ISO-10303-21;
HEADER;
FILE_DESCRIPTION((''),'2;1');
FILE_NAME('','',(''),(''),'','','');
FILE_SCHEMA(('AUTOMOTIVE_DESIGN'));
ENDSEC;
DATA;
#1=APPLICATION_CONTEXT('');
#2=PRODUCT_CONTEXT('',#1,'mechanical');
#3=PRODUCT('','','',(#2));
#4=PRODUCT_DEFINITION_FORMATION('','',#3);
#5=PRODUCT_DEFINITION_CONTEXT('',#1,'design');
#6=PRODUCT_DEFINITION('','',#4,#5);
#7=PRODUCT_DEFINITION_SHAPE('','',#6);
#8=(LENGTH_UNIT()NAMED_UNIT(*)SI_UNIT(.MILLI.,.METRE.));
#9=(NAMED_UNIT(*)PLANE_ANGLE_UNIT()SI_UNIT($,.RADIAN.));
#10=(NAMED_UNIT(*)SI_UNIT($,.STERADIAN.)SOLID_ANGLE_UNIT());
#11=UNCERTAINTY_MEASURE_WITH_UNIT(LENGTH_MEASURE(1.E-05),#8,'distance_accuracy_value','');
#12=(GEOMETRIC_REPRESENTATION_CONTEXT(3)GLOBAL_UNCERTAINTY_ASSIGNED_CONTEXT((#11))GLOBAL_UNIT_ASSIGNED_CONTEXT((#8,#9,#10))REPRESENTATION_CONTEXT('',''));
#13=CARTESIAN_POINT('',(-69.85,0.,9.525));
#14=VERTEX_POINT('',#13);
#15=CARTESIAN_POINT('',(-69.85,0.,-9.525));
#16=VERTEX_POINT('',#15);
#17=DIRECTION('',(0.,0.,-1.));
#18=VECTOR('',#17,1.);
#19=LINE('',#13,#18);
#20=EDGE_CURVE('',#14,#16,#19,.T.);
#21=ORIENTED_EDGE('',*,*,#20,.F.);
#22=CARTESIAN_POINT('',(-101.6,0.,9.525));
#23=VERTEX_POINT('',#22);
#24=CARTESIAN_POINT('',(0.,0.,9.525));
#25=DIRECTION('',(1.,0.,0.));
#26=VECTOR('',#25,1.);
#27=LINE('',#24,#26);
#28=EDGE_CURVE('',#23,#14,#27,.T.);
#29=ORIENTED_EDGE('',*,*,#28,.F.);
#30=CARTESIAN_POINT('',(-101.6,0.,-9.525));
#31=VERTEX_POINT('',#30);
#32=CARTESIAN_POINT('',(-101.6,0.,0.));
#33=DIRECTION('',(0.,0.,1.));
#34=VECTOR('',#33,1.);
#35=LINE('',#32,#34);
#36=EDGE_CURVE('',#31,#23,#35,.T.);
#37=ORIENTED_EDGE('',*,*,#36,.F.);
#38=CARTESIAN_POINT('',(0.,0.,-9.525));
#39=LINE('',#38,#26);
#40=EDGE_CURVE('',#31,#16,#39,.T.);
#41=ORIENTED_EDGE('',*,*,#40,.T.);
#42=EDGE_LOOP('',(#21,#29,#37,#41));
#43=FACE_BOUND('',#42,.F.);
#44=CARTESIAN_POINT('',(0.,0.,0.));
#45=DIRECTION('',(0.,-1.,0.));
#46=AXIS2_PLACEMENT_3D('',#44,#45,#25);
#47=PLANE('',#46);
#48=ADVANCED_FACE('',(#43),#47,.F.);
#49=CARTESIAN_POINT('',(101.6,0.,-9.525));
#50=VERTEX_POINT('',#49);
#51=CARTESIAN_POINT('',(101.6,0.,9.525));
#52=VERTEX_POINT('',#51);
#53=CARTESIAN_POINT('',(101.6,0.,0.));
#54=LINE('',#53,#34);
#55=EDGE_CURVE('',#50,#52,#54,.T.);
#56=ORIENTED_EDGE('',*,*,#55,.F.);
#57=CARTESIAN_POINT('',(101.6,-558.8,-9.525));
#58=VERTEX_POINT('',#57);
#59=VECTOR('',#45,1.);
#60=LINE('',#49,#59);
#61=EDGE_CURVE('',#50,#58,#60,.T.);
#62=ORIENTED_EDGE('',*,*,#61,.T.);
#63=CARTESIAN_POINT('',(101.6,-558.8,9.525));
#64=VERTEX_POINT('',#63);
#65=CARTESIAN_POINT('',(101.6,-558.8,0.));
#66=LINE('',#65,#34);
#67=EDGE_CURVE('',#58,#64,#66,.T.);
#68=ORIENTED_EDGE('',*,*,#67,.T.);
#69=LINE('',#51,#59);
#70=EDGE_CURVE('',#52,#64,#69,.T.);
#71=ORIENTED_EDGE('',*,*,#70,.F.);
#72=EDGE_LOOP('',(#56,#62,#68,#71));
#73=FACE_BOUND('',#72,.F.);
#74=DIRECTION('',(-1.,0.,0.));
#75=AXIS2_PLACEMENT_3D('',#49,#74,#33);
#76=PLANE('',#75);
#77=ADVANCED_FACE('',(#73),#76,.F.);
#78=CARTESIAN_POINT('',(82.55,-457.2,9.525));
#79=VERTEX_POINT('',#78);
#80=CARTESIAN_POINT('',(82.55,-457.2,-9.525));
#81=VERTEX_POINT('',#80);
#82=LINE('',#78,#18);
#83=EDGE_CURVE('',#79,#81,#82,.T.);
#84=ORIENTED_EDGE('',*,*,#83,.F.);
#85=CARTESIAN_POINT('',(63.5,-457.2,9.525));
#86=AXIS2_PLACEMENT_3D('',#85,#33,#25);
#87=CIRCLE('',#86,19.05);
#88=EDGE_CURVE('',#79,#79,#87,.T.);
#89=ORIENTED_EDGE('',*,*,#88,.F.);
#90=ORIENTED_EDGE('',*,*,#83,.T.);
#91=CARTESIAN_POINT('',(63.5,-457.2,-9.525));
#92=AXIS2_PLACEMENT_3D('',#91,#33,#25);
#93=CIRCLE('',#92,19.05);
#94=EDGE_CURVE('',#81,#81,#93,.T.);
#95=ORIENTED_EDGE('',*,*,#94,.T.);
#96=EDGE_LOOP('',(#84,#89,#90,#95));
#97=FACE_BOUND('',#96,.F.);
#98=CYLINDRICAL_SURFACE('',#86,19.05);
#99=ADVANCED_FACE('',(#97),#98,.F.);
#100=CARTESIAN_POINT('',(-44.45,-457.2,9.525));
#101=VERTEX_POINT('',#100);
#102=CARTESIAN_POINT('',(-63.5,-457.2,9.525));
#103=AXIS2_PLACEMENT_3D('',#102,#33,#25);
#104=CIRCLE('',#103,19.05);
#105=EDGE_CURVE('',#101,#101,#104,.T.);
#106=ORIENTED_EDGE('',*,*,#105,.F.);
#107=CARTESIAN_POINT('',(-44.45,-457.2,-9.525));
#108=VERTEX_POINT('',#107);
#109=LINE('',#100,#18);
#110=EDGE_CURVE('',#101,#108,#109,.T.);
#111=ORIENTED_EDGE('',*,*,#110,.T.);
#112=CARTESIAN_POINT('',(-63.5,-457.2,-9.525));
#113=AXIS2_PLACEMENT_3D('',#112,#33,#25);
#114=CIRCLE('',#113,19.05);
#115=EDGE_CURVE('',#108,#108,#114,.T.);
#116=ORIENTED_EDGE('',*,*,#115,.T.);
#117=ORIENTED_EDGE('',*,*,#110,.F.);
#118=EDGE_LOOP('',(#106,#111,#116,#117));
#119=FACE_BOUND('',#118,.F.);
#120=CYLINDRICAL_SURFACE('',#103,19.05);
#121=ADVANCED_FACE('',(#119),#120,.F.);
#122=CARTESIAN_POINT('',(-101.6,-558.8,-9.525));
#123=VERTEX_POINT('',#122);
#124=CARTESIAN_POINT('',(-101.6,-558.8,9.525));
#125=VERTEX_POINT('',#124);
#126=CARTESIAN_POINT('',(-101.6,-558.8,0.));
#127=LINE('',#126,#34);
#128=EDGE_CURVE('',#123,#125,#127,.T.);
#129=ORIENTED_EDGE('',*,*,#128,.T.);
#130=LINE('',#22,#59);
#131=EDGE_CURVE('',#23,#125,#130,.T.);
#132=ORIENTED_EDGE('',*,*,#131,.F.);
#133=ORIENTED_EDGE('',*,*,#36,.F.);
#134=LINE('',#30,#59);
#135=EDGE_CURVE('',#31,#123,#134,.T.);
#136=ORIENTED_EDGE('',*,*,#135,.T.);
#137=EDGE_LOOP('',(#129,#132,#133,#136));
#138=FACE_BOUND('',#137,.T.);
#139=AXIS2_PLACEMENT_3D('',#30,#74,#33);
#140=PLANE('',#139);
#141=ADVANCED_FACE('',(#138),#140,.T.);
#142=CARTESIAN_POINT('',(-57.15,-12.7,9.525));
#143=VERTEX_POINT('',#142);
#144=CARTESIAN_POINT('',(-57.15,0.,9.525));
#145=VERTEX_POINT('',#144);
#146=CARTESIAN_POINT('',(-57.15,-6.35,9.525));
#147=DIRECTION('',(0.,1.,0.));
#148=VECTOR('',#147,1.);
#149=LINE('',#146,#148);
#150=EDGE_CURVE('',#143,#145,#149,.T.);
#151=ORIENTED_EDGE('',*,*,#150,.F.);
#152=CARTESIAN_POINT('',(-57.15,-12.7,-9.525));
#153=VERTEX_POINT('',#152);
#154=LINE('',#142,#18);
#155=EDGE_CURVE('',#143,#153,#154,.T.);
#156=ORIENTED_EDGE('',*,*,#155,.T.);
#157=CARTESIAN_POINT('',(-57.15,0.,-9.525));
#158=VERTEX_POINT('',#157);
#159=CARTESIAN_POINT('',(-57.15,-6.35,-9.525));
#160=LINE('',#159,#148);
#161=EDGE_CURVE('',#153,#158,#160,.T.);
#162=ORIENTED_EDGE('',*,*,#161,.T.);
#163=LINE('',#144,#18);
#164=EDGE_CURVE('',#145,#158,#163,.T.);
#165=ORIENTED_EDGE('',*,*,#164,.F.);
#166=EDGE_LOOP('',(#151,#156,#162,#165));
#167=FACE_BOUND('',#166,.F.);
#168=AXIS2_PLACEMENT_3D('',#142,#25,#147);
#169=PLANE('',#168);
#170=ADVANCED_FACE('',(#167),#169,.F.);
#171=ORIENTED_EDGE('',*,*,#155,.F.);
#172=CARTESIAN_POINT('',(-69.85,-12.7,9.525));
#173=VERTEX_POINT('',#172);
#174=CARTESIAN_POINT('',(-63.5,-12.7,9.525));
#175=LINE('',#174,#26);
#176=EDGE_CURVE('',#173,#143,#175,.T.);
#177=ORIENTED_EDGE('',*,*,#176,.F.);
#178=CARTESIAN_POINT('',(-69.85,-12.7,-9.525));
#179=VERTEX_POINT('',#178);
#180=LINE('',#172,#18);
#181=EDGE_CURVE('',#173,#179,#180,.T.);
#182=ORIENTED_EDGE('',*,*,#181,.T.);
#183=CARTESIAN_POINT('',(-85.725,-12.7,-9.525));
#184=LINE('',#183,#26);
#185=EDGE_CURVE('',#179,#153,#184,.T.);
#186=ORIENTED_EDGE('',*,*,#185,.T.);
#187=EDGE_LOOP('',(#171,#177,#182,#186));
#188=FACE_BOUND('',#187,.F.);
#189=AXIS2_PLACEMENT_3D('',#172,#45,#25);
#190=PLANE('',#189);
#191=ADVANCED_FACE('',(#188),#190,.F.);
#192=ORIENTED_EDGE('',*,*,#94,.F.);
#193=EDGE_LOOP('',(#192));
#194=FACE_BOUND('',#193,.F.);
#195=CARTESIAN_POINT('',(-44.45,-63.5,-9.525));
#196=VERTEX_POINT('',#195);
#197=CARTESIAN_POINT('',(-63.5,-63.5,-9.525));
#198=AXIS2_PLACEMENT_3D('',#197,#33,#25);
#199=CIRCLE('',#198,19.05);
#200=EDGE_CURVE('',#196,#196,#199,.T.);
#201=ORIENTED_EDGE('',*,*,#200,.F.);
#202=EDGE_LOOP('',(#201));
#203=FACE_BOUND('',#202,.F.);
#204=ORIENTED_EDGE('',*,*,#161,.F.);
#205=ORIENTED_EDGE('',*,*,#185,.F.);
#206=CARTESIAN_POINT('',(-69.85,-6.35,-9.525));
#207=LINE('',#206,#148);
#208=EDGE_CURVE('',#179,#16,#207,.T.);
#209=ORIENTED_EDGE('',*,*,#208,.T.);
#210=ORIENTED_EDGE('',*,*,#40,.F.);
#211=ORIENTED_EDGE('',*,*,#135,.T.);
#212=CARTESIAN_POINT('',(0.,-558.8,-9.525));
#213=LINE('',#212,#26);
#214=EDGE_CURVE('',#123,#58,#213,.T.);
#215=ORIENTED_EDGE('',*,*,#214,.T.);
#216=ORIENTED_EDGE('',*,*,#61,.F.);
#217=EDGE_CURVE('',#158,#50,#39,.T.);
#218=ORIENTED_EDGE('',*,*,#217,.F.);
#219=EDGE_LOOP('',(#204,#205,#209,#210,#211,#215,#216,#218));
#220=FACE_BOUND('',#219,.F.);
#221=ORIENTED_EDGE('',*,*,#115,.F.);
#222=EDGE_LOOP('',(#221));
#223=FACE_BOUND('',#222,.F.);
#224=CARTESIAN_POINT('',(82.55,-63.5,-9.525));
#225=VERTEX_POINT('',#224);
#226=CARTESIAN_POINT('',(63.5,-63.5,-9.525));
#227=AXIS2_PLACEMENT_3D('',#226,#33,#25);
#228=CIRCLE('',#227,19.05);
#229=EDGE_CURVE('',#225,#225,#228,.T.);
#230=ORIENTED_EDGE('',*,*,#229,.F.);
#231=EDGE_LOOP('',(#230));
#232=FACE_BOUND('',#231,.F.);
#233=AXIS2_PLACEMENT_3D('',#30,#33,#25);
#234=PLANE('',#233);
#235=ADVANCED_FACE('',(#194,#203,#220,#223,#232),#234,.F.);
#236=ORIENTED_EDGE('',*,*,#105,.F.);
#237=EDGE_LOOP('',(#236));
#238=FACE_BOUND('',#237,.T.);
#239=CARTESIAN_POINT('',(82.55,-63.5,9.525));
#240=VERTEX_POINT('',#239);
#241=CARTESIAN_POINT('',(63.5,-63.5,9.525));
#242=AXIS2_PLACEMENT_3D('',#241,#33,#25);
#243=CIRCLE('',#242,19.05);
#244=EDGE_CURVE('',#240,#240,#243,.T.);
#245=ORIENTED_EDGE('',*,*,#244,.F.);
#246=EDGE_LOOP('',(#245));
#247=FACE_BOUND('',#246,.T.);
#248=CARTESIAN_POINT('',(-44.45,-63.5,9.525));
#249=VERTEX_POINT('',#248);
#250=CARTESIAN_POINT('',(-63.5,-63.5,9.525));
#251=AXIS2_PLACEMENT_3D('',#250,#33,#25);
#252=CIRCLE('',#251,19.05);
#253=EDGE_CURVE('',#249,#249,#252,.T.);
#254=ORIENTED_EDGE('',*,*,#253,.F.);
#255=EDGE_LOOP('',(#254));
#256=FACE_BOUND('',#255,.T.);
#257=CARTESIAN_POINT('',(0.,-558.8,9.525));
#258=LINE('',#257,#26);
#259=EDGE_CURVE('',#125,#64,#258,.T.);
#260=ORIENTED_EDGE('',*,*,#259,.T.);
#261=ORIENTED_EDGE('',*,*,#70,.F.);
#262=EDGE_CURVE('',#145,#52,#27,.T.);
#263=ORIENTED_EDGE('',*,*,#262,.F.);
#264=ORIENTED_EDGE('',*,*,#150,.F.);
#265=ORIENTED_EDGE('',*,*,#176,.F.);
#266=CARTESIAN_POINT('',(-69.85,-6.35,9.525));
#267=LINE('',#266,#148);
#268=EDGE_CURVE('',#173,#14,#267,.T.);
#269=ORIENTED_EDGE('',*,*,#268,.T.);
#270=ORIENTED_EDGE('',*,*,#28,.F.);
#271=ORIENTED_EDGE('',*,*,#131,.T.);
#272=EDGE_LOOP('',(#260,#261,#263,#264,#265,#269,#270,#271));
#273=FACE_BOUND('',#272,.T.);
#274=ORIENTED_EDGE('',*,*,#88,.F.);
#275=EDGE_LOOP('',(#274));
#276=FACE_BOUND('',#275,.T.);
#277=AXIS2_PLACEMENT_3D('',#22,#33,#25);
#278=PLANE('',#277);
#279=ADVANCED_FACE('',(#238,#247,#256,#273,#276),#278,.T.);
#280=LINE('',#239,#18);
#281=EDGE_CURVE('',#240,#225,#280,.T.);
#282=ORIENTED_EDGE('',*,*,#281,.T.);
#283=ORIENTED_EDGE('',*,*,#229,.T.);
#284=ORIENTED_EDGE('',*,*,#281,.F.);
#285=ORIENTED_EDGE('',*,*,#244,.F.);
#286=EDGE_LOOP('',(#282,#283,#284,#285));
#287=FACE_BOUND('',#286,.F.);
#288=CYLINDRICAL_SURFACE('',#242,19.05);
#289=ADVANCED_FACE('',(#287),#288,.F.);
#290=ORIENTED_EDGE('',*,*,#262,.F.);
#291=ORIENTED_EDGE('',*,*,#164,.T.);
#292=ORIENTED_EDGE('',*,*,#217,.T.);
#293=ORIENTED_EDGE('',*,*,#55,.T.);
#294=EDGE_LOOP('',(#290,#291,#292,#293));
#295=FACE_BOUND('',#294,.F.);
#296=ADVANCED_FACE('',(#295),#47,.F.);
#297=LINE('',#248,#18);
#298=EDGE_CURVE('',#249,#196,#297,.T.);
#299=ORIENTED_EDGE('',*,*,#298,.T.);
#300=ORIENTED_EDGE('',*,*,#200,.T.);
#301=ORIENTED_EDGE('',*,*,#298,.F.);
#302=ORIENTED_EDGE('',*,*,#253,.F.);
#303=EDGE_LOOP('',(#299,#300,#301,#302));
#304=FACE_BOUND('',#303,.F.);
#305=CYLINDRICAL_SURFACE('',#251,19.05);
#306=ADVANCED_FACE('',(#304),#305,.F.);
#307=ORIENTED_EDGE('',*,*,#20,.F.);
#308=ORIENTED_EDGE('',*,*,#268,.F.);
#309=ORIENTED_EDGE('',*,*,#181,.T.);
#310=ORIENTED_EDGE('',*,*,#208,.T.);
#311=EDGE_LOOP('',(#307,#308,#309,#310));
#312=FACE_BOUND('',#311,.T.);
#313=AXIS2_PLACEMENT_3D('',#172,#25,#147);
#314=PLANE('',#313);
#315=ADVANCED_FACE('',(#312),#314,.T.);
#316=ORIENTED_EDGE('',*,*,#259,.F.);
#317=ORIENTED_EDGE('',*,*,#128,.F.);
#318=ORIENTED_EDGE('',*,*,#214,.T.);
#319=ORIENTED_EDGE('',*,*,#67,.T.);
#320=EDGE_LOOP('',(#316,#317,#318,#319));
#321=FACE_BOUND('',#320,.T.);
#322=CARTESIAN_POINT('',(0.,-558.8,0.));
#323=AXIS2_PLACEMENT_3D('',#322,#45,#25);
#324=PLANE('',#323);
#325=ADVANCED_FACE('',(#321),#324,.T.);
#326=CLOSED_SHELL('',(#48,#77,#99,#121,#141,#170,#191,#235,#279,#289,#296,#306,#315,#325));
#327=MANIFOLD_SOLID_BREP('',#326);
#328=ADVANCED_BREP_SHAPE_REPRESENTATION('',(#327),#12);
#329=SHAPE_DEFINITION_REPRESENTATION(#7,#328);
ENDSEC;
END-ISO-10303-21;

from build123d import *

# Parameters (mm, degrees)
F0_W     = 203.2
F0_H     = 19.05
F1_DEPTH = 558.8
F2_R     = 19.05
F2_W     = 12.7
F2_H     = 12.7
F3_DEPTH = 25.4


with BuildPart() as f1:
    # F0 (on Front) → F1 (new body)
    with BuildSketch(Plane.XZ):
        Rectangle(F0_W, F0_H)
    extrude(amount=F1_DEPTH)

    # F2 (on face) → F3 (cut)
    with BuildSketch(Plane.XY.offset(9.525)):
        with Locations((-63.5, -63.5)):
            Circle(F2_R)
        with Locations((63.5, -63.5)):
            Circle(F2_R)
        with Locations((-63.5, -457.2)):
            Circle(F2_R)
        with Locations((63.5, -457.2)):
            Circle(F2_R)
        with Locations((-63.5, -6.35)):
            Rectangle(F2_W, F2_H)
    extrude(amount=-F3_DEPTH, mode=Mode.SUBTRACT)


solid = f1.part
